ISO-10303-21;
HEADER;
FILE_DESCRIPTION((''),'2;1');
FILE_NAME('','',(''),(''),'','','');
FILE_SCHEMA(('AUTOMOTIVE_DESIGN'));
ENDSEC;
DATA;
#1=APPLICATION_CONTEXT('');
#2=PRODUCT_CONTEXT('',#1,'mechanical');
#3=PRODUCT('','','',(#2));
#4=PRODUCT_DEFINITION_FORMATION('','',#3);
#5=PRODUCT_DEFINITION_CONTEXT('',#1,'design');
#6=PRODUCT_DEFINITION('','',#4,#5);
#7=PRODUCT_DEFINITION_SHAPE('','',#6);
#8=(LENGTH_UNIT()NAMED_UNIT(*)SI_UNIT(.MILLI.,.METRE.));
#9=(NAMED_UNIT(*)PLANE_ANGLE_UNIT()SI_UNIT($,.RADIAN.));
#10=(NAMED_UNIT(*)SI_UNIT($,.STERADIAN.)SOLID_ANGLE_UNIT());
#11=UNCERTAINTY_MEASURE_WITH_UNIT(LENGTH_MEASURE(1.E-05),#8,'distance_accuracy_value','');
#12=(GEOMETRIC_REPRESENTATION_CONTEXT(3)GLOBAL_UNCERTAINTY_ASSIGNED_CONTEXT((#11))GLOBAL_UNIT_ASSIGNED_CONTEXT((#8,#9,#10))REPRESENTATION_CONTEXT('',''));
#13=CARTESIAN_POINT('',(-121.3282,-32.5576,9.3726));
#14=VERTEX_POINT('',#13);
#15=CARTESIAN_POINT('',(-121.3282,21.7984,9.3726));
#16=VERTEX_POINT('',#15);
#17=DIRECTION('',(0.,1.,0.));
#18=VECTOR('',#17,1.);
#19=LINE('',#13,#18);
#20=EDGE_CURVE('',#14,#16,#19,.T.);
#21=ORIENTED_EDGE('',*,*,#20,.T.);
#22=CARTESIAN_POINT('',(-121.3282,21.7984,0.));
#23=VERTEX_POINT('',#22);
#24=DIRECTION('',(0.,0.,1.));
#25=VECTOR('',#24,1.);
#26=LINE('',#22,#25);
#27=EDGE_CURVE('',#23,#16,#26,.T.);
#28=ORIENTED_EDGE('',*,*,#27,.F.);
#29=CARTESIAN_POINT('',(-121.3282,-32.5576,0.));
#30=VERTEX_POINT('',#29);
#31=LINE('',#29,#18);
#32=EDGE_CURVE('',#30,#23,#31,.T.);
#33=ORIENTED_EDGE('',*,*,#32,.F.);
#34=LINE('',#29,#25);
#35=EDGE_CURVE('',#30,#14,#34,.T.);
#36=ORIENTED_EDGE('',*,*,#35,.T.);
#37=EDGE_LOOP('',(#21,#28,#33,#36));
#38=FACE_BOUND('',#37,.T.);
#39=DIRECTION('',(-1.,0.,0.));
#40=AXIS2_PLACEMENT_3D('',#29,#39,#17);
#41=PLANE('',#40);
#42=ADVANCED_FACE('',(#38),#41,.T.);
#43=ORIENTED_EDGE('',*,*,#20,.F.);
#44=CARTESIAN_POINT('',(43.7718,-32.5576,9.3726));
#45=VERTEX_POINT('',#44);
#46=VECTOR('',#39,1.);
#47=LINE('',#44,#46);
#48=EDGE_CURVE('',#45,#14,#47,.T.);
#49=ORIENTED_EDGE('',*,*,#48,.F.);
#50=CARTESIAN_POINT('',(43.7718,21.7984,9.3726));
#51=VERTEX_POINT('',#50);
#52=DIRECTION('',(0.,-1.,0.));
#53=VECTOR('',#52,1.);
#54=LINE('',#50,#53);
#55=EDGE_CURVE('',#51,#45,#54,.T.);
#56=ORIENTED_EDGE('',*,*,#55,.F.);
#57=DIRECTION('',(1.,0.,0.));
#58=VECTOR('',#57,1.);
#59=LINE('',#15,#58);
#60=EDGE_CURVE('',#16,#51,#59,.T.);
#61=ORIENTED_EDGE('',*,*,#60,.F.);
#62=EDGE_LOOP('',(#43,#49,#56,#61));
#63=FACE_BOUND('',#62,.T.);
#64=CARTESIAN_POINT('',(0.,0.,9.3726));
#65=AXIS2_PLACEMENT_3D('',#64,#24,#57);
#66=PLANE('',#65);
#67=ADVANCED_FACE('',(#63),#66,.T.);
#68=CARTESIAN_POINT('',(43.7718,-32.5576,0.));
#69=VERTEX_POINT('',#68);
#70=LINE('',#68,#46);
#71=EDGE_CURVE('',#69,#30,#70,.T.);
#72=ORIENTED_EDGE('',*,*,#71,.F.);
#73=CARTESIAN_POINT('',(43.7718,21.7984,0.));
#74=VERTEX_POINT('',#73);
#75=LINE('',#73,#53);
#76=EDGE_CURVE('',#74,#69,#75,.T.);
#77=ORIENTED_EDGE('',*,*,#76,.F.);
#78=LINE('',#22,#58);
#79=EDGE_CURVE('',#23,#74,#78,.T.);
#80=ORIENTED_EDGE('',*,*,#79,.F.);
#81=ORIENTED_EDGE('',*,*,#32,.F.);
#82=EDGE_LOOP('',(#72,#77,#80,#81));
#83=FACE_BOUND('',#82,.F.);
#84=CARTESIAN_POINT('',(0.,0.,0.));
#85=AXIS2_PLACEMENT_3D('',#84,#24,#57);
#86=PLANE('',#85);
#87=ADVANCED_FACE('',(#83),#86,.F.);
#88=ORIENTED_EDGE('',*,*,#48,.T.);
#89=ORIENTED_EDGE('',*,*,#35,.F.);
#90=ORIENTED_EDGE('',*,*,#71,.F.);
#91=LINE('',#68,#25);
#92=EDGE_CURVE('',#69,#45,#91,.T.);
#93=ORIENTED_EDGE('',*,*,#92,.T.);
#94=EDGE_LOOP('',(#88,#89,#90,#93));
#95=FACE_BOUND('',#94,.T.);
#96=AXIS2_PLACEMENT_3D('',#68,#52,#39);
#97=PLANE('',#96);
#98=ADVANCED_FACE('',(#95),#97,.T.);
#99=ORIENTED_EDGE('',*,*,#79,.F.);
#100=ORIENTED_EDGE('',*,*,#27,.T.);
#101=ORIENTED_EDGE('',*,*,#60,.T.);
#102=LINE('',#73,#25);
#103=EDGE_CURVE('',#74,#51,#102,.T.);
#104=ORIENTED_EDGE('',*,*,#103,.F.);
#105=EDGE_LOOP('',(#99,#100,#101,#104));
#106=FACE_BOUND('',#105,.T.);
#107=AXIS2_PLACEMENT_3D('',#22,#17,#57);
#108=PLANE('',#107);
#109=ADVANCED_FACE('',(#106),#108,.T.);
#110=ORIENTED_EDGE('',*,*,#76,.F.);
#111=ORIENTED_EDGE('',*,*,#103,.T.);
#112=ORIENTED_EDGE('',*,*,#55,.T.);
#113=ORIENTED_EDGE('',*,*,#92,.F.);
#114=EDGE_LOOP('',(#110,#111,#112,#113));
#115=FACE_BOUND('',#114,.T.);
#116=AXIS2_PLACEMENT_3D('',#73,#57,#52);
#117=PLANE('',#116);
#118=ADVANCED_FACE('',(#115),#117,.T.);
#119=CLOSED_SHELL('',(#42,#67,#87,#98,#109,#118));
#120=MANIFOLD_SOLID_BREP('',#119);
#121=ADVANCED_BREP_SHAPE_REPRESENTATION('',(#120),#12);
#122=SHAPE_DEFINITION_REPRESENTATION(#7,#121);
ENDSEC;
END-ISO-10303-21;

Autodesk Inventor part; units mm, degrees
ref_plane "YZ Plane" through (0, 0, 0) normal (1, 0, 0) x (0, 1, 0)
ref_plane "XZ Plane" through (0, 0, 0) normal (0, 1, 0) x (-1, 0, 0)
ref_plane "XY Plane" through (0, 0, 0) normal (0, 0, 1) x (1, 0, 0)
sketch "Sketch1" plane through (0, 0, 0) normal (0, 0, 1) x (1, 0, 0)
  line L0 (-121.3282, 21.7984) -> (43.7718, 21.7984)
  line L1 (43.7718, 21.7984) -> (43.7718, -32.5576)
  line L2 (43.7718, -32.5576) -> (-121.3282, -32.5576)
  line L3 (-121.3282, -32.5576) -> (-121.3282, 21.7984)
  point P0 (0, 0)
  dimension "d0" = 54.356
  dimension "d1" = 165.1
extrude "Extrusion1" add sketch "Sketch1" along normal blind 9.3726
properties part number "mcdave breadboard"
